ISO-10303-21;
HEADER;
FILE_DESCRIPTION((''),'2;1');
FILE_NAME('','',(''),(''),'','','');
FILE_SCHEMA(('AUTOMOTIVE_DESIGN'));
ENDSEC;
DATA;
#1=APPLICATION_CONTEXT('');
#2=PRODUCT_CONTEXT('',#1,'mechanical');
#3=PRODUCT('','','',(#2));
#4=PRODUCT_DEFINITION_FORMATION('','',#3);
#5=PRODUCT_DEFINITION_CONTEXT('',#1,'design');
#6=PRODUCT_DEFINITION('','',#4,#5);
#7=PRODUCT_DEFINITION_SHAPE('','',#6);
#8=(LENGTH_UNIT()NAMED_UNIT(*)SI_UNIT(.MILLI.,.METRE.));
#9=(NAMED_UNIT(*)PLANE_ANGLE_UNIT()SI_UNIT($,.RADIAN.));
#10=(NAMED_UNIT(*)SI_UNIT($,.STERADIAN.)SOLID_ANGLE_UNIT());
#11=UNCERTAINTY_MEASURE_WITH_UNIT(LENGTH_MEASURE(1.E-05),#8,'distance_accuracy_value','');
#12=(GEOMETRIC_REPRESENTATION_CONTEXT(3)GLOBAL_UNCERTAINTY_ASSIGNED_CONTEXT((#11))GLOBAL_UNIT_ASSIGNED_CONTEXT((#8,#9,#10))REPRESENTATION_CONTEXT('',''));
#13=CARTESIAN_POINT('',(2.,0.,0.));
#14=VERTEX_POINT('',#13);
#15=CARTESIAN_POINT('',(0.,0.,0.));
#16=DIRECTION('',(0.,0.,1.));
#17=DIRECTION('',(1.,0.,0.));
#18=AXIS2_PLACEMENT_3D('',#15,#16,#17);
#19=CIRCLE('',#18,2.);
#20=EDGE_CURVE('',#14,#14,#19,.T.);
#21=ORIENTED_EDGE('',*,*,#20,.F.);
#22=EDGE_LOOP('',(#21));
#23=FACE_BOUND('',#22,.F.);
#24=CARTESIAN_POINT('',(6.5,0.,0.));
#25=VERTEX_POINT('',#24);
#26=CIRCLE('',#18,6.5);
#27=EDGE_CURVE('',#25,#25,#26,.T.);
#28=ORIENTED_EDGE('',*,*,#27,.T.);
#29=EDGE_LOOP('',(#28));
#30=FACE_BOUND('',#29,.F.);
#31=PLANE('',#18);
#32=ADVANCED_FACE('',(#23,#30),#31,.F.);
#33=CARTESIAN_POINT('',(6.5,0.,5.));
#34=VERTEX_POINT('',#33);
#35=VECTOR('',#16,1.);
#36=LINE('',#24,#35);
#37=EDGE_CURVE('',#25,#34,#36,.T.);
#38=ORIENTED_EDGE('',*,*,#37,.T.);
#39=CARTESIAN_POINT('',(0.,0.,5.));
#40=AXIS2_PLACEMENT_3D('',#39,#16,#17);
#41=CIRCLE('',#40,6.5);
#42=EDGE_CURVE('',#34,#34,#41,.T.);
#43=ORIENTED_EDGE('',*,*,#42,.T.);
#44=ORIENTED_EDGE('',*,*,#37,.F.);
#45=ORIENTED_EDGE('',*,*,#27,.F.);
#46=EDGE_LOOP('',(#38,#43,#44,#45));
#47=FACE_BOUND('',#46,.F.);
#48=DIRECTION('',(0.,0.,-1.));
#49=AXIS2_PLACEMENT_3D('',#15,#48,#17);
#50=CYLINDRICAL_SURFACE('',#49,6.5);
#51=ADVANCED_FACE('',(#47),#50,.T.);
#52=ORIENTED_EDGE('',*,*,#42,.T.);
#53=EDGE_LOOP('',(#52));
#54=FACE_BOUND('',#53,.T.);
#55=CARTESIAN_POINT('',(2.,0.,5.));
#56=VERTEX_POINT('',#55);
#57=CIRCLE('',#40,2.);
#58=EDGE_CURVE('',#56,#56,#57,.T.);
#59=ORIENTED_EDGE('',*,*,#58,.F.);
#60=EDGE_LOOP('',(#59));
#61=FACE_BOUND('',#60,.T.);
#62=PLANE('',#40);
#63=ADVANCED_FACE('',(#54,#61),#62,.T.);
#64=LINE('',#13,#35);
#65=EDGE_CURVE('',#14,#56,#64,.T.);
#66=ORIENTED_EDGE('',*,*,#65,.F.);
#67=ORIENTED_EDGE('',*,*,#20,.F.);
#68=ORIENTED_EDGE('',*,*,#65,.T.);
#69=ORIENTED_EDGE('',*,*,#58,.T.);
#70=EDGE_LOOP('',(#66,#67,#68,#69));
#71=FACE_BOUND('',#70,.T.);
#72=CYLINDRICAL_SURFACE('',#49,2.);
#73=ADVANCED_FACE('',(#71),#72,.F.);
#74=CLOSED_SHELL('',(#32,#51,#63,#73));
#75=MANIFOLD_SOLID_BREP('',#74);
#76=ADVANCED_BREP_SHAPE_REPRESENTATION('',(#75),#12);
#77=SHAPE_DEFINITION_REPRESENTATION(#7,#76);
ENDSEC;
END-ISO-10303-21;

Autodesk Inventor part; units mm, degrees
ref_plane "YZ Plane" through (0, 0, 0) normal (1, 0, 0) x (0, 1, 0)
ref_plane "XZ Plane" through (0, 0, 0) normal (0, 1, 0) x (-1, 0, 0)
ref_plane "XY Plane" through (0, 0, 0) normal (0, 0, 1) x (1, 0, 0)
sketch "Skizze1" plane through (0, 0, 0) normal (0, 0, 1) x (1, 0, 0)
  circle A0 centre (0, 0) radius 2
  circle A1 centre (0, 0) radius 6.5
  dimension "d0" = 4
  dimension "d1" = 13
extrude "Extrusion1" add sketch "Skizze1" along normal blind 5
properties part number "00_Bearing_4x13.5"
